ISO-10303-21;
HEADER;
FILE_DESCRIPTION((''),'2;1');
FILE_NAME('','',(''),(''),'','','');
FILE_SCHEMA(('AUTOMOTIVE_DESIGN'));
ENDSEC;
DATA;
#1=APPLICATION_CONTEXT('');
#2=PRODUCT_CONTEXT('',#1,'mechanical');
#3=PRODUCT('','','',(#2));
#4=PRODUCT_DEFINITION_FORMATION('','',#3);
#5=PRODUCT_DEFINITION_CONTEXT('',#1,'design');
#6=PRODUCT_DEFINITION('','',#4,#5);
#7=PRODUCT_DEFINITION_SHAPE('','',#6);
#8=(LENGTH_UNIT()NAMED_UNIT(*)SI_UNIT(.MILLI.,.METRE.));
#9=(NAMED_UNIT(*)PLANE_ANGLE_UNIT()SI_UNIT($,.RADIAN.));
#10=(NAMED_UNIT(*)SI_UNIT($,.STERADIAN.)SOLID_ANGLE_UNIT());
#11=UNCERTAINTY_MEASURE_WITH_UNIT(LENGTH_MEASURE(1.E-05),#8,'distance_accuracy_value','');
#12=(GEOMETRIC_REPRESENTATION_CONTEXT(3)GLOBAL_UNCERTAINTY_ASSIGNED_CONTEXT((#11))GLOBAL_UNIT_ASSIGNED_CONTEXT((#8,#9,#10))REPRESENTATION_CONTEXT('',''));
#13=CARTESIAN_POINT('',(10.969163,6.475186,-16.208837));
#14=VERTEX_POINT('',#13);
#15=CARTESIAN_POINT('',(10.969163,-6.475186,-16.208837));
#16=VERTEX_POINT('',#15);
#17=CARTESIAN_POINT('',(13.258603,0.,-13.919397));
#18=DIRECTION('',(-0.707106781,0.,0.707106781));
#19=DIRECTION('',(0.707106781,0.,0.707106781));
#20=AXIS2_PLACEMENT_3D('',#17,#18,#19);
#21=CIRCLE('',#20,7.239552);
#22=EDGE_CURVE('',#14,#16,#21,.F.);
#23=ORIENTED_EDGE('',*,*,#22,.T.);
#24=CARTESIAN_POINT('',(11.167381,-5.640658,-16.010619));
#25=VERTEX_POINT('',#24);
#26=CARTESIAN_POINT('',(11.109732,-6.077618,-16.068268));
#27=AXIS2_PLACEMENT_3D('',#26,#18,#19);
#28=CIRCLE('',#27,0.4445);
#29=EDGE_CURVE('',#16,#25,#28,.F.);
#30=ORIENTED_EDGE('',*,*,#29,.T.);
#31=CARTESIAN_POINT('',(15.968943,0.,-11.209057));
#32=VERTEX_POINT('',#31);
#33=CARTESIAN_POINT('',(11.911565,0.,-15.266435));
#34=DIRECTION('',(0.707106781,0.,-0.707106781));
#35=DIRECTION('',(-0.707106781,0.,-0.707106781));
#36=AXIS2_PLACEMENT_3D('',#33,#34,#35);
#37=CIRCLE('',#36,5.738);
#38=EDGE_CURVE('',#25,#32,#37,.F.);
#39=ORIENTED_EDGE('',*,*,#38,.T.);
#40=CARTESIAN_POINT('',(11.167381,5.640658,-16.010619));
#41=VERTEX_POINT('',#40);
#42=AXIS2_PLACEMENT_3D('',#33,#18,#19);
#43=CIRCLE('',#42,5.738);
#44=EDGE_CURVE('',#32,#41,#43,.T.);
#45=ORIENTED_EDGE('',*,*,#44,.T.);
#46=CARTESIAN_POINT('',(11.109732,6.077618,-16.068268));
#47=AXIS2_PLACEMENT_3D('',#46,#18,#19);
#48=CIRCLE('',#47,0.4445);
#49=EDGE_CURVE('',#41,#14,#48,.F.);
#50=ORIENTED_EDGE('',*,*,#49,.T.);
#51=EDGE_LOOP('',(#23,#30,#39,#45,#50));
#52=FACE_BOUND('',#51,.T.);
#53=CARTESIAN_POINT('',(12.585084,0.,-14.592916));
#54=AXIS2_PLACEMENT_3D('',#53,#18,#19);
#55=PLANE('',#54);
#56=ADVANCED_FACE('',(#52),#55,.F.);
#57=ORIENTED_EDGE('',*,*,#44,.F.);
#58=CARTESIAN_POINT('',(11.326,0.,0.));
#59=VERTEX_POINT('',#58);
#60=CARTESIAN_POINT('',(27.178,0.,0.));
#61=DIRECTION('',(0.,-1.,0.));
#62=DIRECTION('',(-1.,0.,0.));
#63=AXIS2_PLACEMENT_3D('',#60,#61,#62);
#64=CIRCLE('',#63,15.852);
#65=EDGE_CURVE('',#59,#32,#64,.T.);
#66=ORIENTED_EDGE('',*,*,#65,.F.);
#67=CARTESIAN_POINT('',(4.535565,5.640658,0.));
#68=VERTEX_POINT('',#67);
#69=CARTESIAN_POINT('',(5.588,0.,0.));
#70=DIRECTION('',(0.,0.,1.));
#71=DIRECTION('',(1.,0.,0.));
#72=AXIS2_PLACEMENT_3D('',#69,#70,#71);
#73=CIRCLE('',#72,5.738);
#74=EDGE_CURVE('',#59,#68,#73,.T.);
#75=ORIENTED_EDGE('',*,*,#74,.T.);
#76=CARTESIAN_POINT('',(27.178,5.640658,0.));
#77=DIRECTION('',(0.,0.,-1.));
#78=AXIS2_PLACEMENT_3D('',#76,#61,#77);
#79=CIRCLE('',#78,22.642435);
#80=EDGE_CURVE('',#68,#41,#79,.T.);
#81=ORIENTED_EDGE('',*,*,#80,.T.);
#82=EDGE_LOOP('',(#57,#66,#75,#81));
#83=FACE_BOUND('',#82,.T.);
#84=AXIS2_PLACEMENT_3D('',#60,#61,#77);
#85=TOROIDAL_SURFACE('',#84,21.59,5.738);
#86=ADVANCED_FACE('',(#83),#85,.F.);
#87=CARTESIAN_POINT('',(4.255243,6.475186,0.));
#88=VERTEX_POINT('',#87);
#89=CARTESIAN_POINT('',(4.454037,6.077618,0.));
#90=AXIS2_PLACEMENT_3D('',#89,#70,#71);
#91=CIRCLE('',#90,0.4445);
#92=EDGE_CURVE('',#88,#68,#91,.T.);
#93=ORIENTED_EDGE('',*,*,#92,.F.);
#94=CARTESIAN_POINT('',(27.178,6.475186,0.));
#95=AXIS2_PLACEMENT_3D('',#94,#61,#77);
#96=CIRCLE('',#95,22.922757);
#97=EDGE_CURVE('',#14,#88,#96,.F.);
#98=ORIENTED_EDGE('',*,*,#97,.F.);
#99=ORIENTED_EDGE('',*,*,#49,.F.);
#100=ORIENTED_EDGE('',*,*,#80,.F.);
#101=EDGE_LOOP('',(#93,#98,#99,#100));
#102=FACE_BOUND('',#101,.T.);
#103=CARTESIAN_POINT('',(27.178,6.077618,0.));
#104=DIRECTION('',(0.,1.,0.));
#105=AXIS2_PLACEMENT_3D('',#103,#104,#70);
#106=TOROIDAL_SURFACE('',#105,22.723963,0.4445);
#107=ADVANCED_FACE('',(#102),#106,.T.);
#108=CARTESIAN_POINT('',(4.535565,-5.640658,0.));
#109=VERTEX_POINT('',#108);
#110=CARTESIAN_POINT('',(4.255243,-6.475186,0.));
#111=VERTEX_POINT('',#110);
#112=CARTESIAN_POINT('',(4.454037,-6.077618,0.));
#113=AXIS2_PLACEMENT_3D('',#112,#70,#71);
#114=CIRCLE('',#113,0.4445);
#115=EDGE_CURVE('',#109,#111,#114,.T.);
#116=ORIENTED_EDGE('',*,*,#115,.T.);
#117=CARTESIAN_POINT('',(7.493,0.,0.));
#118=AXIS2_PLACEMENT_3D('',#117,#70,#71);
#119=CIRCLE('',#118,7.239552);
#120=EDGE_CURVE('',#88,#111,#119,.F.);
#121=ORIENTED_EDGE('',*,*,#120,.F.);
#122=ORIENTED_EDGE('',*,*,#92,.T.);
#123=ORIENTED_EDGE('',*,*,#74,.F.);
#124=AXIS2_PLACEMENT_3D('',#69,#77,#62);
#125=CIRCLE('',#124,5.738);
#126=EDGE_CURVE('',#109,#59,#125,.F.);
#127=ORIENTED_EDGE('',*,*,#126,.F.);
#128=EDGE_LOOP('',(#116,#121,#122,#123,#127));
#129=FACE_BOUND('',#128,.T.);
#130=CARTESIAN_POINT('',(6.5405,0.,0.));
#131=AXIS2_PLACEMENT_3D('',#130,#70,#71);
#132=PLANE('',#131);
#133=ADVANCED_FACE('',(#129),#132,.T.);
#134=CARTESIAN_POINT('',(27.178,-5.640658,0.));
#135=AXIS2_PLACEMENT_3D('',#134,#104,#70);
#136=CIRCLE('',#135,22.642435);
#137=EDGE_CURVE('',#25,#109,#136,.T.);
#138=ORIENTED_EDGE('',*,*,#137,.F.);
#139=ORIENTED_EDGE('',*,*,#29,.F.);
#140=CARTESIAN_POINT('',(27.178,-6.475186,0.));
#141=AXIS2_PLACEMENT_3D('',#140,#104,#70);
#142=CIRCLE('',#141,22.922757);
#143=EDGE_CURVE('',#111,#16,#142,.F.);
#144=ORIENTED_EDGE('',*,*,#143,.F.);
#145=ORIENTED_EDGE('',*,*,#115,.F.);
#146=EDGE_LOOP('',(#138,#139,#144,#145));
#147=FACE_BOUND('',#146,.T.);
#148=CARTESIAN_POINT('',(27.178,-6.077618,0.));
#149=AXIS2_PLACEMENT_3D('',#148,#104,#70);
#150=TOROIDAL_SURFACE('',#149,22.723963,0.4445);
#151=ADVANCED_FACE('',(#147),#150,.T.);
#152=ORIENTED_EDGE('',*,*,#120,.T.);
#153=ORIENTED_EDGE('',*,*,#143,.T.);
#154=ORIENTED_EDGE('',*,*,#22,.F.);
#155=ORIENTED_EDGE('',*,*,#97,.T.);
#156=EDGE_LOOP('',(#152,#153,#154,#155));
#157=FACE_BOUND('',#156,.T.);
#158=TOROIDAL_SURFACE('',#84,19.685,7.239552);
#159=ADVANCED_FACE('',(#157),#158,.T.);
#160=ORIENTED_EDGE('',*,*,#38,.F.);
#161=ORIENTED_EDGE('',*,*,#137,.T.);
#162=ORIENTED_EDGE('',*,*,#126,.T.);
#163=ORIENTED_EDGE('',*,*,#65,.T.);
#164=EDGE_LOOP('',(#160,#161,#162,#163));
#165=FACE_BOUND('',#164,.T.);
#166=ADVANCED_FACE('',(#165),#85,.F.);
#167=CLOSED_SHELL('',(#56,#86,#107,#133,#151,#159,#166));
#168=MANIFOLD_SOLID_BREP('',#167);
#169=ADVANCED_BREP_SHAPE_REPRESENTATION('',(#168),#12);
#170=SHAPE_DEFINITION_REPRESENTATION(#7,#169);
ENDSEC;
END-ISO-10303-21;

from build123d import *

# Parameters (mm, degrees)
FILLET1_R = 0.4445


with BuildPart() as part:
    # Sweep1: sweep along a path in Sketch1
    with BuildLine(Plane(origin=(0, 0, 0), x_dir=(1, 0, 0), z_dir=(0, 1, 0))) as sweep1_path:
        ThreePointArc((5.588, 0), (7.231440893, 8.262135305), (11.911564594, 15.266435406))
    # Sketch2 → Sweep1 (sweep)
    with BuildSketch(Plane.XY):
        with BuildLine():
            ThreePointArc((11.326, 0), (7.714353036, 5.329471528), (1.425941872, 3.949926093))
            ThreePointArc((1.425941872, 3.949926093), (14.732551814, 0), (1.425941872, -3.949926093))
            ThreePointArc((1.425941872, -3.949926093), (7.714353036, -5.329471528), (11.326, 0))
        make_face()
    sweep(path=sweep1_path.line)

    # Fillet1
    fillet1_edges = [part.edges().sort_by_distance(p)[0] for p in [
        (3.386200576, 3.949926093, -9.854885995),
        (3.386200576, -3.949926093, -9.854885995),
    ]]
    fillet(fillet1_edges, radius=FILLET1_R)


solid = part.part
